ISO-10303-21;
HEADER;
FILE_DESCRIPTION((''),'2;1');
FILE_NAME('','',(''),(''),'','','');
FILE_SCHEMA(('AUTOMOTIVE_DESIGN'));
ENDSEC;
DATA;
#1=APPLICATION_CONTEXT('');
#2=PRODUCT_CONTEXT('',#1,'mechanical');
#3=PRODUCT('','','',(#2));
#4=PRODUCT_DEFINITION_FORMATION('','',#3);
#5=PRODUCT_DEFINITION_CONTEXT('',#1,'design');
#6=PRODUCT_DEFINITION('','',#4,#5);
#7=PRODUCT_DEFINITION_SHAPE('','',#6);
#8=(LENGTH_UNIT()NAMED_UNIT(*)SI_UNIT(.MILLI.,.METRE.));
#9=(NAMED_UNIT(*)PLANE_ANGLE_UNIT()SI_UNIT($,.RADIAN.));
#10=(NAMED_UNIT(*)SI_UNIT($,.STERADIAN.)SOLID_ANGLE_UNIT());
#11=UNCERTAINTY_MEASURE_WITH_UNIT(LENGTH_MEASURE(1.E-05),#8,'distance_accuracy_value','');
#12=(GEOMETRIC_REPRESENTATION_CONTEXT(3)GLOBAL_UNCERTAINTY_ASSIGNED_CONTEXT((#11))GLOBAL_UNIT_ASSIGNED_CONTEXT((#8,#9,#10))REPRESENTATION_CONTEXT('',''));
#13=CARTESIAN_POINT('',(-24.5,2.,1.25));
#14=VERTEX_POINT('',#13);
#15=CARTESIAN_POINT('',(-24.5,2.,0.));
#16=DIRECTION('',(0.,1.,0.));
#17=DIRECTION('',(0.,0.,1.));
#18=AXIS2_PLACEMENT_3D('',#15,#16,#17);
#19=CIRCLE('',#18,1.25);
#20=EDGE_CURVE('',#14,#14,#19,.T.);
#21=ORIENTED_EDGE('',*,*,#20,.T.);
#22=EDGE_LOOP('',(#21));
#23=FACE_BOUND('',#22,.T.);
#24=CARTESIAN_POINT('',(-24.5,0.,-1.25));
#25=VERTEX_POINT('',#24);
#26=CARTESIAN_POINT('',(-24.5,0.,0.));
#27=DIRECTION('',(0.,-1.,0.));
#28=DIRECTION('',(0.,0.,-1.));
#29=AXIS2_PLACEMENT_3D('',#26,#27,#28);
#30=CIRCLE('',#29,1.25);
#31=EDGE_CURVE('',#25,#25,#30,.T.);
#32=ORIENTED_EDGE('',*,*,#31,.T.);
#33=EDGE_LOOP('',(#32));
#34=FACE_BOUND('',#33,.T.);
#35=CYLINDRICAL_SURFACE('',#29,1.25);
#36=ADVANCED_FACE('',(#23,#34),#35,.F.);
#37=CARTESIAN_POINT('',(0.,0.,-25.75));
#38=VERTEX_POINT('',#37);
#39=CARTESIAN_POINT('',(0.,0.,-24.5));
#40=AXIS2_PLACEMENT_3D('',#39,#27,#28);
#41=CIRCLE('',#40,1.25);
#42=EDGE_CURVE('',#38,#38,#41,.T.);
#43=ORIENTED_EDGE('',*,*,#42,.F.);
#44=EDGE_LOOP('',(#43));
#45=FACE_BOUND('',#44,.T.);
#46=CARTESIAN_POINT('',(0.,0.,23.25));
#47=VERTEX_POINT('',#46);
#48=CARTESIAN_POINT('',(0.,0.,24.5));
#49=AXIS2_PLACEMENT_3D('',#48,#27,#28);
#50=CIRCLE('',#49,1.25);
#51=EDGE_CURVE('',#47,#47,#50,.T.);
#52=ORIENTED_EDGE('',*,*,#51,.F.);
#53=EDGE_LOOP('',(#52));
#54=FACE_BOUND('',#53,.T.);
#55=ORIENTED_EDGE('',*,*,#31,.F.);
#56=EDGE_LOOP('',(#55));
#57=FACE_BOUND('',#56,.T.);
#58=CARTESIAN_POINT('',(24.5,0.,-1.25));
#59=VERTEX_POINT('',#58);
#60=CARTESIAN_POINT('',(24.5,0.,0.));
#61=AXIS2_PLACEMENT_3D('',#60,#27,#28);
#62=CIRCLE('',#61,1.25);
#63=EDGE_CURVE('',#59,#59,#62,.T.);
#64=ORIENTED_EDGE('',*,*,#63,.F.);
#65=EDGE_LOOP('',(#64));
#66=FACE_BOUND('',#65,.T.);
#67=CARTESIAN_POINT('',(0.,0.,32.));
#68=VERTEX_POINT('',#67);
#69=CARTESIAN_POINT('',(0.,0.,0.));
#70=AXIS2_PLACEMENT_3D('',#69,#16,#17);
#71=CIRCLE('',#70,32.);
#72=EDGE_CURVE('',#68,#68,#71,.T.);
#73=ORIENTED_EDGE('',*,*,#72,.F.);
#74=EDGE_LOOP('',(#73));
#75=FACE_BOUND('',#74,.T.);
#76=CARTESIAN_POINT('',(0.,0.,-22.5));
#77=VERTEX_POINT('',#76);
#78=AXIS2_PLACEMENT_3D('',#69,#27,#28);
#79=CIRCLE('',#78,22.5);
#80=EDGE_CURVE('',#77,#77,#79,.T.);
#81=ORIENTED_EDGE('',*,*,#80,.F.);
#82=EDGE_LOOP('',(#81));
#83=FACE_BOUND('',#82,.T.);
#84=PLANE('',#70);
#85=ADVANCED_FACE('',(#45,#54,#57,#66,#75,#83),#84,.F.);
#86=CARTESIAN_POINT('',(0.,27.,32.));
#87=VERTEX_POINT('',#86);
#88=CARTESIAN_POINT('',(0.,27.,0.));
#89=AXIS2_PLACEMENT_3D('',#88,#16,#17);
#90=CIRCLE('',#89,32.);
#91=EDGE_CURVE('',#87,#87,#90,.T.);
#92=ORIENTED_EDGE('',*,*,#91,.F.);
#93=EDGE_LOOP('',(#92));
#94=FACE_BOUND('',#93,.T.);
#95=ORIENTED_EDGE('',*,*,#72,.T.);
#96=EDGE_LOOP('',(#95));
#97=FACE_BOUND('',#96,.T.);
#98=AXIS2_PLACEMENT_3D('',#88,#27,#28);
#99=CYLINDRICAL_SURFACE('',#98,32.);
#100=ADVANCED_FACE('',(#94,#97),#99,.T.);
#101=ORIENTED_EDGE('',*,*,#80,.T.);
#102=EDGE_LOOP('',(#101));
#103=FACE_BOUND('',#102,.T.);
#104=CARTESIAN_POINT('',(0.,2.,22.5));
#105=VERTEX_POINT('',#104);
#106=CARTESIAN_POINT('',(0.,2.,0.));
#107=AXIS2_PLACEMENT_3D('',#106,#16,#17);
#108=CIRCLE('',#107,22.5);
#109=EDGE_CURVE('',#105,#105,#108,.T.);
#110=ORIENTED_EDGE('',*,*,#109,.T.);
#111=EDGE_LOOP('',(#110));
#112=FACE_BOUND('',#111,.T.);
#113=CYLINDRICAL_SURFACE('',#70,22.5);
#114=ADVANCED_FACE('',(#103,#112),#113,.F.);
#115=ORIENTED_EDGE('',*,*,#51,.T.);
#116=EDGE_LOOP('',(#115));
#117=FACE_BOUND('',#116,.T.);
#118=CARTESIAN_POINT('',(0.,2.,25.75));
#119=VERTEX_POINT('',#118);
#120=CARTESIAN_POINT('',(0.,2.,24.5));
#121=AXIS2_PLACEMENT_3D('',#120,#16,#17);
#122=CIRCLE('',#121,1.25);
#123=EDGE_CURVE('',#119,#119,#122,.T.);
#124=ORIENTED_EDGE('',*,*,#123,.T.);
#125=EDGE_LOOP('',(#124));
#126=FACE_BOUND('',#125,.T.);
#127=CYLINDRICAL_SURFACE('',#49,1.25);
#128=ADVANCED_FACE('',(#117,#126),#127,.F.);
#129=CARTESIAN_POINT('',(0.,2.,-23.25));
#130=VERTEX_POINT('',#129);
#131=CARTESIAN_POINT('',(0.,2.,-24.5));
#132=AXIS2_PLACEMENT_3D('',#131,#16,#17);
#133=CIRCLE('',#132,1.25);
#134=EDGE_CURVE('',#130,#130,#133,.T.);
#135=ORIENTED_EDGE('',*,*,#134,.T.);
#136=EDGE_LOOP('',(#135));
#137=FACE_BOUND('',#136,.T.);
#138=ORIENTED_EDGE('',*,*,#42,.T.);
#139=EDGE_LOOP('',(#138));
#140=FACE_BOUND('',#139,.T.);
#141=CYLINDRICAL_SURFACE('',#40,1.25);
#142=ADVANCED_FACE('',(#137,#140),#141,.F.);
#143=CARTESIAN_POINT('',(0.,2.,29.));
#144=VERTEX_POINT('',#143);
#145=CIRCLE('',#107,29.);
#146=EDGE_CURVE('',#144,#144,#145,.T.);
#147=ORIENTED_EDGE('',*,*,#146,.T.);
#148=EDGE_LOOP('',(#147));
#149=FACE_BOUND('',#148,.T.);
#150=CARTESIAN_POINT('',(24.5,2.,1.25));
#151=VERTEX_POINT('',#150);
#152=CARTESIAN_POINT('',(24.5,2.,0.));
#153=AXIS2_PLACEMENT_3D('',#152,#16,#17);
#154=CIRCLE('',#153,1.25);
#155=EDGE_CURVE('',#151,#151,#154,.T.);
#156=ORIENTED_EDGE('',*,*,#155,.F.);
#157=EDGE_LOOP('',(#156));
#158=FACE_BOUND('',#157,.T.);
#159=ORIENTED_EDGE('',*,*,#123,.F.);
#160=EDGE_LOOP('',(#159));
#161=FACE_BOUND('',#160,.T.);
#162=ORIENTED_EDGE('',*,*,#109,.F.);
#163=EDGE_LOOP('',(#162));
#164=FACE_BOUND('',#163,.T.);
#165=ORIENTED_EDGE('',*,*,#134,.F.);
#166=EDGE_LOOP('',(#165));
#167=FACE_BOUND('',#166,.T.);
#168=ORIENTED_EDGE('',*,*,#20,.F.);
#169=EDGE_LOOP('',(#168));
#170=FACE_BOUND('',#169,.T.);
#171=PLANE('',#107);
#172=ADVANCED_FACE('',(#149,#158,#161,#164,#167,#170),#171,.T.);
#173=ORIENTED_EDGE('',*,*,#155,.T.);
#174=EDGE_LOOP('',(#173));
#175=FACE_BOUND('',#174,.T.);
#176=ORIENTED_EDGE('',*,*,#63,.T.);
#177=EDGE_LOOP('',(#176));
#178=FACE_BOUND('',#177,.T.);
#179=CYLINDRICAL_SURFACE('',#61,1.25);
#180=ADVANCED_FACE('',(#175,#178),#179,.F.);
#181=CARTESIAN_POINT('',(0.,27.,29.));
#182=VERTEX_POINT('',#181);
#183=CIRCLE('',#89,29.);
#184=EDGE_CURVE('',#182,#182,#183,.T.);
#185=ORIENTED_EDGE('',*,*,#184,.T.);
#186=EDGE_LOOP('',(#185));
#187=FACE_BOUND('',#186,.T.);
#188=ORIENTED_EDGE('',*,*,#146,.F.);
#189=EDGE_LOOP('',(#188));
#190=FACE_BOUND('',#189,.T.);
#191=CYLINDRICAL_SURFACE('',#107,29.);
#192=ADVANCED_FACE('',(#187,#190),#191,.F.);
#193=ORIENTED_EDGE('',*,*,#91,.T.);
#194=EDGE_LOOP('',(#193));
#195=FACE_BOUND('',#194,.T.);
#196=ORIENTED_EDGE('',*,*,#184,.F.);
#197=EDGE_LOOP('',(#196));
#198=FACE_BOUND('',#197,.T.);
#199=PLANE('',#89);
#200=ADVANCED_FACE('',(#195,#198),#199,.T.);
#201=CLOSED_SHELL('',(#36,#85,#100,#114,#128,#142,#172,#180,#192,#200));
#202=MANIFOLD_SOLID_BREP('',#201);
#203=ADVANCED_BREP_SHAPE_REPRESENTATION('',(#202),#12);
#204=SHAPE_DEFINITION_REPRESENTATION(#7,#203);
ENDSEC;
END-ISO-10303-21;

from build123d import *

# Parameters (mm, degrees)
SKETCH_1_R               = 32
EXTRUDE_1_DEPTH          = 27
CUT_EXTRUDE_3_DEPTH      = 51.318982502
CUT_EXTRUDE_3_DEPTH_BACK = 51.318982502
SKETCH_5_R               = 22.5
SKETCH_6_R               = 29
CUT_EXTRUDE_4_DEPTH      = 25
HOLE_WIZARD_M3_1_D       = 2.5


with BuildPart() as part:
    # 草图1 → 凸台-拉伸1 (new body)
    with BuildSketch(Plane(origin=(0, 0, 0), x_dir=(1, 0, 0), z_dir=(0, 1, 0))):
        with Locations(Location((0, 0, 0), (0, 0, 270))):
            Circle(SKETCH_1_R)
    extrude(amount=EXTRUDE_1_DEPTH)

    # 草图5 → 切除-拉伸3 (cut, two sides: drawn at the far end of the back side and taken through both)
    with BuildSketch(Plane(origin=(0, 5, 0), x_dir=(-1, 0, 0), z_dir=(0, -1, 0)).offset(-CUT_EXTRUDE_3_DEPTH_BACK)):
        with Locations(Location((0, 0, 0), (0, 0, 90))):
            Circle(SKETCH_5_R)
    extrude(amount=CUT_EXTRUDE_3_DEPTH + CUT_EXTRUDE_3_DEPTH_BACK, mode=Mode.SUBTRACT)

    # 草图6 → 切除-拉伸4 (cut)
    with BuildSketch(Plane(origin=(0, 27, 0), x_dir=(1, 0, 0), z_dir=(0, 1, 0))):
        with Locations(Location((0, 0, 0), (0, 0, 270))):
            Circle(SKETCH_6_R)
    extrude(amount=-CUT_EXTRUDE_4_DEPTH, mode=Mode.SUBTRACT)

    # M3 螺纹孔1 (through all)
    with Locations(Plane(origin=(0, 0, 0), x_dir=(-1, 0, 0), z_dir=(0, -1, 0))):
        with Locations((24.5, 0), (0, 24.5), (-24.5, 0), (0, -24.5)):
            Hole(HOLE_WIZARD_M3_1_D / 2)


solid = part.part
